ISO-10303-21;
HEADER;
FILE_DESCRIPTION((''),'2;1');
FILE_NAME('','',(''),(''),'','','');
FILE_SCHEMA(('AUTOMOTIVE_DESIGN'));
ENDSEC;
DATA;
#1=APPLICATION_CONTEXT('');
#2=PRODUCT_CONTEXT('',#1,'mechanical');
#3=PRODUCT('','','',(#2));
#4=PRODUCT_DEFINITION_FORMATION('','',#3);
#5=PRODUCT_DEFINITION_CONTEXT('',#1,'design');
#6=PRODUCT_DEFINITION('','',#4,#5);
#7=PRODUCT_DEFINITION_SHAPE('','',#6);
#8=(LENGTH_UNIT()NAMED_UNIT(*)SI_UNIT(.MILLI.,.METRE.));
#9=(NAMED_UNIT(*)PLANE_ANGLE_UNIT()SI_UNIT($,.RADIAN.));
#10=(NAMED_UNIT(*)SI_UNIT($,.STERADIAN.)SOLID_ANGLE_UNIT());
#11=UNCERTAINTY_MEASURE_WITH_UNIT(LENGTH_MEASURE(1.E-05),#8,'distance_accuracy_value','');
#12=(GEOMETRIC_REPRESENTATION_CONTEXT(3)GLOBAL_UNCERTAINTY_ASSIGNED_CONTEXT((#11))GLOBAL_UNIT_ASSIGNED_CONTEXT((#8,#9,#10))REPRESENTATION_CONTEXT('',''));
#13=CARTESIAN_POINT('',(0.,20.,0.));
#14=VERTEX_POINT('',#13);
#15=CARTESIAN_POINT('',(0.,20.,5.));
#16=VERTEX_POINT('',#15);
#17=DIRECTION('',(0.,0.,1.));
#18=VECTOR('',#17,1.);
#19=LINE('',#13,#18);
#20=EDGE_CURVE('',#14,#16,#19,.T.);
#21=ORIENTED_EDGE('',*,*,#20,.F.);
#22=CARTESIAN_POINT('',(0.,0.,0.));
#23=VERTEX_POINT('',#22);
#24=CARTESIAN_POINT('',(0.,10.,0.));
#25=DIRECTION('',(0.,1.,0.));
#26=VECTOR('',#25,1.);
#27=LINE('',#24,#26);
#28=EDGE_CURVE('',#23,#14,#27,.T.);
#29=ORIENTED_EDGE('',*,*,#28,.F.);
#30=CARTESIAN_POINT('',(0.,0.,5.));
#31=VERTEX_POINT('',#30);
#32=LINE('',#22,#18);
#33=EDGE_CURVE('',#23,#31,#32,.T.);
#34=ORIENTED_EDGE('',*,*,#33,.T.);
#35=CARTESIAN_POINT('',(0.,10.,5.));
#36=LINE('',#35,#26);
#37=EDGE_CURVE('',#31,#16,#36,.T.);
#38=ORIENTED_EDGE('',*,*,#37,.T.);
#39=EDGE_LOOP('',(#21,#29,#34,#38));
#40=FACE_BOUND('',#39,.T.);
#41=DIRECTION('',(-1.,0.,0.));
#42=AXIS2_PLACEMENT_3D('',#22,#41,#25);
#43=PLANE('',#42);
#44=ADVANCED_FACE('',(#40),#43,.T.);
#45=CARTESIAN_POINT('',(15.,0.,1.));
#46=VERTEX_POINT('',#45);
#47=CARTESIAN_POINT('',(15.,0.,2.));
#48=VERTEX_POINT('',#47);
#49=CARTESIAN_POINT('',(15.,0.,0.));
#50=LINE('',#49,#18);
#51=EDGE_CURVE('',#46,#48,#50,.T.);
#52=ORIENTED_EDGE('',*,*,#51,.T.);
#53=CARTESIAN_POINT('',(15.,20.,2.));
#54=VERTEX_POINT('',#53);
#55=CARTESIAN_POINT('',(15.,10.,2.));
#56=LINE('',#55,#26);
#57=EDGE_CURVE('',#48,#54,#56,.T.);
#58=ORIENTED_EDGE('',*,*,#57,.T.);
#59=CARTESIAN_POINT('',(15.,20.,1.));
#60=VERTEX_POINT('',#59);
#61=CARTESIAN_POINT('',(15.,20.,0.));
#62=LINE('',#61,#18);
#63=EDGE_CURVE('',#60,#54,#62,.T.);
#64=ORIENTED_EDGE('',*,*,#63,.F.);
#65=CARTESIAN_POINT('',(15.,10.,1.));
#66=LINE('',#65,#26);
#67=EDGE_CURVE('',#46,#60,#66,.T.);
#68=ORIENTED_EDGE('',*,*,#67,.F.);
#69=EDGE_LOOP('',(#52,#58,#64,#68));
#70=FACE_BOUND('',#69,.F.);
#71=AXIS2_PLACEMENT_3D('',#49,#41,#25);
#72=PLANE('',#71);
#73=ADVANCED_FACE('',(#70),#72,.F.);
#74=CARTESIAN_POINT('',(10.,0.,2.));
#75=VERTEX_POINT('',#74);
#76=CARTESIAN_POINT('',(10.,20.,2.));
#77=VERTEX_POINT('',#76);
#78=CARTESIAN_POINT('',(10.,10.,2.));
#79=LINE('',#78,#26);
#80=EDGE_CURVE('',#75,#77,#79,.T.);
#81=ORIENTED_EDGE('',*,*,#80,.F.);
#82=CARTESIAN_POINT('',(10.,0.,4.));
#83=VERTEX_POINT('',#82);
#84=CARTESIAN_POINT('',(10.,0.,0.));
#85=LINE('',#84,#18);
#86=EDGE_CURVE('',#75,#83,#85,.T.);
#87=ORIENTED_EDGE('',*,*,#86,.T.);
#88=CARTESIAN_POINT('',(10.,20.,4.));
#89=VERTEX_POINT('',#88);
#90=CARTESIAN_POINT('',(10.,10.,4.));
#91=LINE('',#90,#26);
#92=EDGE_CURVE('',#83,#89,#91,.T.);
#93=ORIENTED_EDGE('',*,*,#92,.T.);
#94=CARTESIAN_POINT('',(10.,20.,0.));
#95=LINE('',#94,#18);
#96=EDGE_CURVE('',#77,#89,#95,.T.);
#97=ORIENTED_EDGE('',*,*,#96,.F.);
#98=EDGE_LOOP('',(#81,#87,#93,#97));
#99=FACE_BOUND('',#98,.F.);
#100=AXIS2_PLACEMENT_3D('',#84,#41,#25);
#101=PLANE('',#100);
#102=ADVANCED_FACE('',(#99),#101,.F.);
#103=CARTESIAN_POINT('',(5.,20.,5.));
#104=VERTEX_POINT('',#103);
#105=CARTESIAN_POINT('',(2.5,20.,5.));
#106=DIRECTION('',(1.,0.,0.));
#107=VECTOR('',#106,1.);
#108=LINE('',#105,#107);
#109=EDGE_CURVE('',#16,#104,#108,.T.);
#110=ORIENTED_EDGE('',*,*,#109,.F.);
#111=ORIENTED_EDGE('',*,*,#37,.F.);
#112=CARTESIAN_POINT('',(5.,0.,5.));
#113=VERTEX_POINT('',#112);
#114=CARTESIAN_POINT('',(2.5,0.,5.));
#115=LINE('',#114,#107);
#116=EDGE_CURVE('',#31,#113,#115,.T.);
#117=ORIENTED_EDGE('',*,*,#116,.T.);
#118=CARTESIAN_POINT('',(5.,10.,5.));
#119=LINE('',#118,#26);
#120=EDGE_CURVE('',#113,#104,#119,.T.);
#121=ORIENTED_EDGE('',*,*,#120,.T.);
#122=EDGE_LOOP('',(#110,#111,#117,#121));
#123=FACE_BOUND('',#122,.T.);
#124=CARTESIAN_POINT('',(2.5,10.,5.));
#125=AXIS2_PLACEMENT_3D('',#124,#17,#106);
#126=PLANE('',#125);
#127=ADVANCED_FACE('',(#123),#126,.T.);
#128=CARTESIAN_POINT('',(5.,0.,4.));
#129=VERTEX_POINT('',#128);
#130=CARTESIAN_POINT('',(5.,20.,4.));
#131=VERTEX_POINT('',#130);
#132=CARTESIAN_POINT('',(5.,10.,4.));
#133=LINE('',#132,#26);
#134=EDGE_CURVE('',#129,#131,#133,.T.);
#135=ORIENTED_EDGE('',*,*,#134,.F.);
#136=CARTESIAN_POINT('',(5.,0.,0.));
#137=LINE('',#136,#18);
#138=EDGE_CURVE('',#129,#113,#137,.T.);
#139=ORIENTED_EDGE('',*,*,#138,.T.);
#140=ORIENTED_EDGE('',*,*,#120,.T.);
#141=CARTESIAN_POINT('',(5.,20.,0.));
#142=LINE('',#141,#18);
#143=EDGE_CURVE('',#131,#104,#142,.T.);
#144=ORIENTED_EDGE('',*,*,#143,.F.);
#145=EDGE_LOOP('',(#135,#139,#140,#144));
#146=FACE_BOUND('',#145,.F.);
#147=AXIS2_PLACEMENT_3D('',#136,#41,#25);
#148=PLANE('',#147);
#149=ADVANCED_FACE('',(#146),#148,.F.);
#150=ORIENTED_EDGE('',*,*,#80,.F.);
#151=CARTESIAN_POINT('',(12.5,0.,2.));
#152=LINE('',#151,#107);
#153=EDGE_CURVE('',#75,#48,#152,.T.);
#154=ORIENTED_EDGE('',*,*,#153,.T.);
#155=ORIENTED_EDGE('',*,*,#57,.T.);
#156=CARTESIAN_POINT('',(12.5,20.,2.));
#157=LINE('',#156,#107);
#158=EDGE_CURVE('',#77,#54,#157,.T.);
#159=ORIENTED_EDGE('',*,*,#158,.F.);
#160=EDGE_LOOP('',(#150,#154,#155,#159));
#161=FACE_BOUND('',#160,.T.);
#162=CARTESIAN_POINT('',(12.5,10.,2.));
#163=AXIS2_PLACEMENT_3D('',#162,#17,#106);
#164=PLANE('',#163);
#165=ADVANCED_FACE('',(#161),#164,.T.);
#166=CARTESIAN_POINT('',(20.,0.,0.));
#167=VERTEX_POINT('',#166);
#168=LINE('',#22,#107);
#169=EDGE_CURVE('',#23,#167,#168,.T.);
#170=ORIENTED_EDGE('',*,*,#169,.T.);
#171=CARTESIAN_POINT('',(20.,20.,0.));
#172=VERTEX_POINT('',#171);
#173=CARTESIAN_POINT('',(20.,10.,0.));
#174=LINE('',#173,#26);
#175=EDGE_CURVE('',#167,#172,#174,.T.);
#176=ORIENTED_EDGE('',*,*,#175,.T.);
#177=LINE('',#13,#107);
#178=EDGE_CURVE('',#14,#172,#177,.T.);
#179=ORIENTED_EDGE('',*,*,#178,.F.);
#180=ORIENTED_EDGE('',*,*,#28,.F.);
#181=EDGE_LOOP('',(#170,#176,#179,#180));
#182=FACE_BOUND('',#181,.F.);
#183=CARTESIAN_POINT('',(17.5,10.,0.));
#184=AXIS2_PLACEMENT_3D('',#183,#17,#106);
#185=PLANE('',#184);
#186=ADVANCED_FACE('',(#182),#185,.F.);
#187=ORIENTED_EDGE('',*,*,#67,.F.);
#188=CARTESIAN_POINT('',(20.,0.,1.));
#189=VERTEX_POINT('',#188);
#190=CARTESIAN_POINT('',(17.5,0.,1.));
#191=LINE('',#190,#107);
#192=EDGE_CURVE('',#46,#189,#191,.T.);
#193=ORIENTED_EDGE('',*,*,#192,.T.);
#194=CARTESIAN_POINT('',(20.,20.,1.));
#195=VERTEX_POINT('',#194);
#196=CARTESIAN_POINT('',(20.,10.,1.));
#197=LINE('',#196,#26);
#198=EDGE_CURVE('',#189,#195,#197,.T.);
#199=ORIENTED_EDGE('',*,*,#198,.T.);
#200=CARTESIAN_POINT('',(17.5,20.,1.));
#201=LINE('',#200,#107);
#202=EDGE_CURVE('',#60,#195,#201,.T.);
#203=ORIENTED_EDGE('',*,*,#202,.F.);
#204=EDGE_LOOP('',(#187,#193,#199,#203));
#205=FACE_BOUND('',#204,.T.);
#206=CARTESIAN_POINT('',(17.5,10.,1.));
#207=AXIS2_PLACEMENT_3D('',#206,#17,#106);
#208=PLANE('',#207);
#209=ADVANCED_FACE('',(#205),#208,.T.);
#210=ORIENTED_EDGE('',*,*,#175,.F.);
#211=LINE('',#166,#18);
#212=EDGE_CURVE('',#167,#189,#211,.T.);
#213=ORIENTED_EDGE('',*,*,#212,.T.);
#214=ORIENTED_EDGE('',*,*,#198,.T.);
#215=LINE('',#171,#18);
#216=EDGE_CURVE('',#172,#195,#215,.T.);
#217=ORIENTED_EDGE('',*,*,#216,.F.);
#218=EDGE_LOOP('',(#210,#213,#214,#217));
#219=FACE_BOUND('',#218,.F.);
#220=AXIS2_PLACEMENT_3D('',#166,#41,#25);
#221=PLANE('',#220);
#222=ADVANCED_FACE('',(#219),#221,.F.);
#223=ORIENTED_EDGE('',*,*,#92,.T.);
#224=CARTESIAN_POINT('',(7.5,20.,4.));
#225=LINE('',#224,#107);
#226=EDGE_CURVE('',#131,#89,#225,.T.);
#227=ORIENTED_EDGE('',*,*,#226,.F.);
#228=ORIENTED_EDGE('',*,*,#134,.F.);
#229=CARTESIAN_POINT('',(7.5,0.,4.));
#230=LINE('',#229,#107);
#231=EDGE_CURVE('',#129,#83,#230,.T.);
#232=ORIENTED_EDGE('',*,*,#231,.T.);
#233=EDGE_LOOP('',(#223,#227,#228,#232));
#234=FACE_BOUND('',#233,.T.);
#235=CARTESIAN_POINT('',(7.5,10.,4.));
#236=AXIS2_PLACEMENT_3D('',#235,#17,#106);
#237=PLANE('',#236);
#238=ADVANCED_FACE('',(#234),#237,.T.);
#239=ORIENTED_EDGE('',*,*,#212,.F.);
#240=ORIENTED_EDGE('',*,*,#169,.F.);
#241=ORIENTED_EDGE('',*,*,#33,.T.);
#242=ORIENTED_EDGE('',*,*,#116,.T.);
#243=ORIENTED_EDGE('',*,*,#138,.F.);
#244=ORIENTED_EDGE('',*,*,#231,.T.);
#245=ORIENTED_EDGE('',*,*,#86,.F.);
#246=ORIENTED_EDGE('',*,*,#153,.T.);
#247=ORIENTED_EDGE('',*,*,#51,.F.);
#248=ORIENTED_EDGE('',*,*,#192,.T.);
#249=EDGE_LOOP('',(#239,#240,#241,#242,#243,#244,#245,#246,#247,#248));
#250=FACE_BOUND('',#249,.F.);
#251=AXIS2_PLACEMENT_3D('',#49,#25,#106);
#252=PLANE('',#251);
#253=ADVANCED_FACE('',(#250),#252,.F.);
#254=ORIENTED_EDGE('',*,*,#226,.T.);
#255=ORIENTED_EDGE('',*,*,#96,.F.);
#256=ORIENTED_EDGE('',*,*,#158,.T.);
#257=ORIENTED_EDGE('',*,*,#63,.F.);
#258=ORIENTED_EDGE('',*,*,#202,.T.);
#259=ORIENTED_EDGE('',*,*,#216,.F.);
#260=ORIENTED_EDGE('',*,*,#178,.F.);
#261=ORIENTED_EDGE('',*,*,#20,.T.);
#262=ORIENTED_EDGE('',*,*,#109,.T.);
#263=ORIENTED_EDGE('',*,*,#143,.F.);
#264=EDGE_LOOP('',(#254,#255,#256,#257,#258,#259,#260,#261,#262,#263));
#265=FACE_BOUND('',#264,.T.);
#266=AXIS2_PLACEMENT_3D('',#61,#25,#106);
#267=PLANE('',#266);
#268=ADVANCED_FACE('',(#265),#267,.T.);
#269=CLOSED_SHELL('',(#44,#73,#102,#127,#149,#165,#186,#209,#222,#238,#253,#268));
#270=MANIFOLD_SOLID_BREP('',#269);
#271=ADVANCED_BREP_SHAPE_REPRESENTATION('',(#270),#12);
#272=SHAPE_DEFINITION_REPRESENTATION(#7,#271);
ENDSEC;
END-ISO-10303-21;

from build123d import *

# Parameters (mm, degrees)
F0_W     = 5
F0_H     = 20
F1_DEPTH = 5
F2_DEPTH = 4
F3_DEPTH = 2
F4_DEPTH = 1


with BuildPart() as f1:
    # F0 (on Top) → F1 (new body)
    with BuildSketch(Plane.XY):
        with Locations((2.5, 10)):
            Rectangle(F0_W, F0_H)
    extrude(amount=F1_DEPTH)

    # F0 (on Top) → F2 (join)
    with BuildSketch(Plane.XY):
        with Locations((7.5, 10)):
            Rectangle(F0_W, F0_H)
    extrude(amount=F2_DEPTH)

    # F0 (on Top) → F3 (join)
    with BuildSketch(Plane.XY):
        with Locations((12.5, 10)):
            Rectangle(F0_W, F0_H)
    extrude(amount=F3_DEPTH)

    # F0 (on Top) → F4 (join)
    with BuildSketch(Plane.XY):
        with Locations((17.5, 10)):
            Rectangle(F0_W, F0_H)
    extrude(amount=F4_DEPTH)


solid = f1.part
